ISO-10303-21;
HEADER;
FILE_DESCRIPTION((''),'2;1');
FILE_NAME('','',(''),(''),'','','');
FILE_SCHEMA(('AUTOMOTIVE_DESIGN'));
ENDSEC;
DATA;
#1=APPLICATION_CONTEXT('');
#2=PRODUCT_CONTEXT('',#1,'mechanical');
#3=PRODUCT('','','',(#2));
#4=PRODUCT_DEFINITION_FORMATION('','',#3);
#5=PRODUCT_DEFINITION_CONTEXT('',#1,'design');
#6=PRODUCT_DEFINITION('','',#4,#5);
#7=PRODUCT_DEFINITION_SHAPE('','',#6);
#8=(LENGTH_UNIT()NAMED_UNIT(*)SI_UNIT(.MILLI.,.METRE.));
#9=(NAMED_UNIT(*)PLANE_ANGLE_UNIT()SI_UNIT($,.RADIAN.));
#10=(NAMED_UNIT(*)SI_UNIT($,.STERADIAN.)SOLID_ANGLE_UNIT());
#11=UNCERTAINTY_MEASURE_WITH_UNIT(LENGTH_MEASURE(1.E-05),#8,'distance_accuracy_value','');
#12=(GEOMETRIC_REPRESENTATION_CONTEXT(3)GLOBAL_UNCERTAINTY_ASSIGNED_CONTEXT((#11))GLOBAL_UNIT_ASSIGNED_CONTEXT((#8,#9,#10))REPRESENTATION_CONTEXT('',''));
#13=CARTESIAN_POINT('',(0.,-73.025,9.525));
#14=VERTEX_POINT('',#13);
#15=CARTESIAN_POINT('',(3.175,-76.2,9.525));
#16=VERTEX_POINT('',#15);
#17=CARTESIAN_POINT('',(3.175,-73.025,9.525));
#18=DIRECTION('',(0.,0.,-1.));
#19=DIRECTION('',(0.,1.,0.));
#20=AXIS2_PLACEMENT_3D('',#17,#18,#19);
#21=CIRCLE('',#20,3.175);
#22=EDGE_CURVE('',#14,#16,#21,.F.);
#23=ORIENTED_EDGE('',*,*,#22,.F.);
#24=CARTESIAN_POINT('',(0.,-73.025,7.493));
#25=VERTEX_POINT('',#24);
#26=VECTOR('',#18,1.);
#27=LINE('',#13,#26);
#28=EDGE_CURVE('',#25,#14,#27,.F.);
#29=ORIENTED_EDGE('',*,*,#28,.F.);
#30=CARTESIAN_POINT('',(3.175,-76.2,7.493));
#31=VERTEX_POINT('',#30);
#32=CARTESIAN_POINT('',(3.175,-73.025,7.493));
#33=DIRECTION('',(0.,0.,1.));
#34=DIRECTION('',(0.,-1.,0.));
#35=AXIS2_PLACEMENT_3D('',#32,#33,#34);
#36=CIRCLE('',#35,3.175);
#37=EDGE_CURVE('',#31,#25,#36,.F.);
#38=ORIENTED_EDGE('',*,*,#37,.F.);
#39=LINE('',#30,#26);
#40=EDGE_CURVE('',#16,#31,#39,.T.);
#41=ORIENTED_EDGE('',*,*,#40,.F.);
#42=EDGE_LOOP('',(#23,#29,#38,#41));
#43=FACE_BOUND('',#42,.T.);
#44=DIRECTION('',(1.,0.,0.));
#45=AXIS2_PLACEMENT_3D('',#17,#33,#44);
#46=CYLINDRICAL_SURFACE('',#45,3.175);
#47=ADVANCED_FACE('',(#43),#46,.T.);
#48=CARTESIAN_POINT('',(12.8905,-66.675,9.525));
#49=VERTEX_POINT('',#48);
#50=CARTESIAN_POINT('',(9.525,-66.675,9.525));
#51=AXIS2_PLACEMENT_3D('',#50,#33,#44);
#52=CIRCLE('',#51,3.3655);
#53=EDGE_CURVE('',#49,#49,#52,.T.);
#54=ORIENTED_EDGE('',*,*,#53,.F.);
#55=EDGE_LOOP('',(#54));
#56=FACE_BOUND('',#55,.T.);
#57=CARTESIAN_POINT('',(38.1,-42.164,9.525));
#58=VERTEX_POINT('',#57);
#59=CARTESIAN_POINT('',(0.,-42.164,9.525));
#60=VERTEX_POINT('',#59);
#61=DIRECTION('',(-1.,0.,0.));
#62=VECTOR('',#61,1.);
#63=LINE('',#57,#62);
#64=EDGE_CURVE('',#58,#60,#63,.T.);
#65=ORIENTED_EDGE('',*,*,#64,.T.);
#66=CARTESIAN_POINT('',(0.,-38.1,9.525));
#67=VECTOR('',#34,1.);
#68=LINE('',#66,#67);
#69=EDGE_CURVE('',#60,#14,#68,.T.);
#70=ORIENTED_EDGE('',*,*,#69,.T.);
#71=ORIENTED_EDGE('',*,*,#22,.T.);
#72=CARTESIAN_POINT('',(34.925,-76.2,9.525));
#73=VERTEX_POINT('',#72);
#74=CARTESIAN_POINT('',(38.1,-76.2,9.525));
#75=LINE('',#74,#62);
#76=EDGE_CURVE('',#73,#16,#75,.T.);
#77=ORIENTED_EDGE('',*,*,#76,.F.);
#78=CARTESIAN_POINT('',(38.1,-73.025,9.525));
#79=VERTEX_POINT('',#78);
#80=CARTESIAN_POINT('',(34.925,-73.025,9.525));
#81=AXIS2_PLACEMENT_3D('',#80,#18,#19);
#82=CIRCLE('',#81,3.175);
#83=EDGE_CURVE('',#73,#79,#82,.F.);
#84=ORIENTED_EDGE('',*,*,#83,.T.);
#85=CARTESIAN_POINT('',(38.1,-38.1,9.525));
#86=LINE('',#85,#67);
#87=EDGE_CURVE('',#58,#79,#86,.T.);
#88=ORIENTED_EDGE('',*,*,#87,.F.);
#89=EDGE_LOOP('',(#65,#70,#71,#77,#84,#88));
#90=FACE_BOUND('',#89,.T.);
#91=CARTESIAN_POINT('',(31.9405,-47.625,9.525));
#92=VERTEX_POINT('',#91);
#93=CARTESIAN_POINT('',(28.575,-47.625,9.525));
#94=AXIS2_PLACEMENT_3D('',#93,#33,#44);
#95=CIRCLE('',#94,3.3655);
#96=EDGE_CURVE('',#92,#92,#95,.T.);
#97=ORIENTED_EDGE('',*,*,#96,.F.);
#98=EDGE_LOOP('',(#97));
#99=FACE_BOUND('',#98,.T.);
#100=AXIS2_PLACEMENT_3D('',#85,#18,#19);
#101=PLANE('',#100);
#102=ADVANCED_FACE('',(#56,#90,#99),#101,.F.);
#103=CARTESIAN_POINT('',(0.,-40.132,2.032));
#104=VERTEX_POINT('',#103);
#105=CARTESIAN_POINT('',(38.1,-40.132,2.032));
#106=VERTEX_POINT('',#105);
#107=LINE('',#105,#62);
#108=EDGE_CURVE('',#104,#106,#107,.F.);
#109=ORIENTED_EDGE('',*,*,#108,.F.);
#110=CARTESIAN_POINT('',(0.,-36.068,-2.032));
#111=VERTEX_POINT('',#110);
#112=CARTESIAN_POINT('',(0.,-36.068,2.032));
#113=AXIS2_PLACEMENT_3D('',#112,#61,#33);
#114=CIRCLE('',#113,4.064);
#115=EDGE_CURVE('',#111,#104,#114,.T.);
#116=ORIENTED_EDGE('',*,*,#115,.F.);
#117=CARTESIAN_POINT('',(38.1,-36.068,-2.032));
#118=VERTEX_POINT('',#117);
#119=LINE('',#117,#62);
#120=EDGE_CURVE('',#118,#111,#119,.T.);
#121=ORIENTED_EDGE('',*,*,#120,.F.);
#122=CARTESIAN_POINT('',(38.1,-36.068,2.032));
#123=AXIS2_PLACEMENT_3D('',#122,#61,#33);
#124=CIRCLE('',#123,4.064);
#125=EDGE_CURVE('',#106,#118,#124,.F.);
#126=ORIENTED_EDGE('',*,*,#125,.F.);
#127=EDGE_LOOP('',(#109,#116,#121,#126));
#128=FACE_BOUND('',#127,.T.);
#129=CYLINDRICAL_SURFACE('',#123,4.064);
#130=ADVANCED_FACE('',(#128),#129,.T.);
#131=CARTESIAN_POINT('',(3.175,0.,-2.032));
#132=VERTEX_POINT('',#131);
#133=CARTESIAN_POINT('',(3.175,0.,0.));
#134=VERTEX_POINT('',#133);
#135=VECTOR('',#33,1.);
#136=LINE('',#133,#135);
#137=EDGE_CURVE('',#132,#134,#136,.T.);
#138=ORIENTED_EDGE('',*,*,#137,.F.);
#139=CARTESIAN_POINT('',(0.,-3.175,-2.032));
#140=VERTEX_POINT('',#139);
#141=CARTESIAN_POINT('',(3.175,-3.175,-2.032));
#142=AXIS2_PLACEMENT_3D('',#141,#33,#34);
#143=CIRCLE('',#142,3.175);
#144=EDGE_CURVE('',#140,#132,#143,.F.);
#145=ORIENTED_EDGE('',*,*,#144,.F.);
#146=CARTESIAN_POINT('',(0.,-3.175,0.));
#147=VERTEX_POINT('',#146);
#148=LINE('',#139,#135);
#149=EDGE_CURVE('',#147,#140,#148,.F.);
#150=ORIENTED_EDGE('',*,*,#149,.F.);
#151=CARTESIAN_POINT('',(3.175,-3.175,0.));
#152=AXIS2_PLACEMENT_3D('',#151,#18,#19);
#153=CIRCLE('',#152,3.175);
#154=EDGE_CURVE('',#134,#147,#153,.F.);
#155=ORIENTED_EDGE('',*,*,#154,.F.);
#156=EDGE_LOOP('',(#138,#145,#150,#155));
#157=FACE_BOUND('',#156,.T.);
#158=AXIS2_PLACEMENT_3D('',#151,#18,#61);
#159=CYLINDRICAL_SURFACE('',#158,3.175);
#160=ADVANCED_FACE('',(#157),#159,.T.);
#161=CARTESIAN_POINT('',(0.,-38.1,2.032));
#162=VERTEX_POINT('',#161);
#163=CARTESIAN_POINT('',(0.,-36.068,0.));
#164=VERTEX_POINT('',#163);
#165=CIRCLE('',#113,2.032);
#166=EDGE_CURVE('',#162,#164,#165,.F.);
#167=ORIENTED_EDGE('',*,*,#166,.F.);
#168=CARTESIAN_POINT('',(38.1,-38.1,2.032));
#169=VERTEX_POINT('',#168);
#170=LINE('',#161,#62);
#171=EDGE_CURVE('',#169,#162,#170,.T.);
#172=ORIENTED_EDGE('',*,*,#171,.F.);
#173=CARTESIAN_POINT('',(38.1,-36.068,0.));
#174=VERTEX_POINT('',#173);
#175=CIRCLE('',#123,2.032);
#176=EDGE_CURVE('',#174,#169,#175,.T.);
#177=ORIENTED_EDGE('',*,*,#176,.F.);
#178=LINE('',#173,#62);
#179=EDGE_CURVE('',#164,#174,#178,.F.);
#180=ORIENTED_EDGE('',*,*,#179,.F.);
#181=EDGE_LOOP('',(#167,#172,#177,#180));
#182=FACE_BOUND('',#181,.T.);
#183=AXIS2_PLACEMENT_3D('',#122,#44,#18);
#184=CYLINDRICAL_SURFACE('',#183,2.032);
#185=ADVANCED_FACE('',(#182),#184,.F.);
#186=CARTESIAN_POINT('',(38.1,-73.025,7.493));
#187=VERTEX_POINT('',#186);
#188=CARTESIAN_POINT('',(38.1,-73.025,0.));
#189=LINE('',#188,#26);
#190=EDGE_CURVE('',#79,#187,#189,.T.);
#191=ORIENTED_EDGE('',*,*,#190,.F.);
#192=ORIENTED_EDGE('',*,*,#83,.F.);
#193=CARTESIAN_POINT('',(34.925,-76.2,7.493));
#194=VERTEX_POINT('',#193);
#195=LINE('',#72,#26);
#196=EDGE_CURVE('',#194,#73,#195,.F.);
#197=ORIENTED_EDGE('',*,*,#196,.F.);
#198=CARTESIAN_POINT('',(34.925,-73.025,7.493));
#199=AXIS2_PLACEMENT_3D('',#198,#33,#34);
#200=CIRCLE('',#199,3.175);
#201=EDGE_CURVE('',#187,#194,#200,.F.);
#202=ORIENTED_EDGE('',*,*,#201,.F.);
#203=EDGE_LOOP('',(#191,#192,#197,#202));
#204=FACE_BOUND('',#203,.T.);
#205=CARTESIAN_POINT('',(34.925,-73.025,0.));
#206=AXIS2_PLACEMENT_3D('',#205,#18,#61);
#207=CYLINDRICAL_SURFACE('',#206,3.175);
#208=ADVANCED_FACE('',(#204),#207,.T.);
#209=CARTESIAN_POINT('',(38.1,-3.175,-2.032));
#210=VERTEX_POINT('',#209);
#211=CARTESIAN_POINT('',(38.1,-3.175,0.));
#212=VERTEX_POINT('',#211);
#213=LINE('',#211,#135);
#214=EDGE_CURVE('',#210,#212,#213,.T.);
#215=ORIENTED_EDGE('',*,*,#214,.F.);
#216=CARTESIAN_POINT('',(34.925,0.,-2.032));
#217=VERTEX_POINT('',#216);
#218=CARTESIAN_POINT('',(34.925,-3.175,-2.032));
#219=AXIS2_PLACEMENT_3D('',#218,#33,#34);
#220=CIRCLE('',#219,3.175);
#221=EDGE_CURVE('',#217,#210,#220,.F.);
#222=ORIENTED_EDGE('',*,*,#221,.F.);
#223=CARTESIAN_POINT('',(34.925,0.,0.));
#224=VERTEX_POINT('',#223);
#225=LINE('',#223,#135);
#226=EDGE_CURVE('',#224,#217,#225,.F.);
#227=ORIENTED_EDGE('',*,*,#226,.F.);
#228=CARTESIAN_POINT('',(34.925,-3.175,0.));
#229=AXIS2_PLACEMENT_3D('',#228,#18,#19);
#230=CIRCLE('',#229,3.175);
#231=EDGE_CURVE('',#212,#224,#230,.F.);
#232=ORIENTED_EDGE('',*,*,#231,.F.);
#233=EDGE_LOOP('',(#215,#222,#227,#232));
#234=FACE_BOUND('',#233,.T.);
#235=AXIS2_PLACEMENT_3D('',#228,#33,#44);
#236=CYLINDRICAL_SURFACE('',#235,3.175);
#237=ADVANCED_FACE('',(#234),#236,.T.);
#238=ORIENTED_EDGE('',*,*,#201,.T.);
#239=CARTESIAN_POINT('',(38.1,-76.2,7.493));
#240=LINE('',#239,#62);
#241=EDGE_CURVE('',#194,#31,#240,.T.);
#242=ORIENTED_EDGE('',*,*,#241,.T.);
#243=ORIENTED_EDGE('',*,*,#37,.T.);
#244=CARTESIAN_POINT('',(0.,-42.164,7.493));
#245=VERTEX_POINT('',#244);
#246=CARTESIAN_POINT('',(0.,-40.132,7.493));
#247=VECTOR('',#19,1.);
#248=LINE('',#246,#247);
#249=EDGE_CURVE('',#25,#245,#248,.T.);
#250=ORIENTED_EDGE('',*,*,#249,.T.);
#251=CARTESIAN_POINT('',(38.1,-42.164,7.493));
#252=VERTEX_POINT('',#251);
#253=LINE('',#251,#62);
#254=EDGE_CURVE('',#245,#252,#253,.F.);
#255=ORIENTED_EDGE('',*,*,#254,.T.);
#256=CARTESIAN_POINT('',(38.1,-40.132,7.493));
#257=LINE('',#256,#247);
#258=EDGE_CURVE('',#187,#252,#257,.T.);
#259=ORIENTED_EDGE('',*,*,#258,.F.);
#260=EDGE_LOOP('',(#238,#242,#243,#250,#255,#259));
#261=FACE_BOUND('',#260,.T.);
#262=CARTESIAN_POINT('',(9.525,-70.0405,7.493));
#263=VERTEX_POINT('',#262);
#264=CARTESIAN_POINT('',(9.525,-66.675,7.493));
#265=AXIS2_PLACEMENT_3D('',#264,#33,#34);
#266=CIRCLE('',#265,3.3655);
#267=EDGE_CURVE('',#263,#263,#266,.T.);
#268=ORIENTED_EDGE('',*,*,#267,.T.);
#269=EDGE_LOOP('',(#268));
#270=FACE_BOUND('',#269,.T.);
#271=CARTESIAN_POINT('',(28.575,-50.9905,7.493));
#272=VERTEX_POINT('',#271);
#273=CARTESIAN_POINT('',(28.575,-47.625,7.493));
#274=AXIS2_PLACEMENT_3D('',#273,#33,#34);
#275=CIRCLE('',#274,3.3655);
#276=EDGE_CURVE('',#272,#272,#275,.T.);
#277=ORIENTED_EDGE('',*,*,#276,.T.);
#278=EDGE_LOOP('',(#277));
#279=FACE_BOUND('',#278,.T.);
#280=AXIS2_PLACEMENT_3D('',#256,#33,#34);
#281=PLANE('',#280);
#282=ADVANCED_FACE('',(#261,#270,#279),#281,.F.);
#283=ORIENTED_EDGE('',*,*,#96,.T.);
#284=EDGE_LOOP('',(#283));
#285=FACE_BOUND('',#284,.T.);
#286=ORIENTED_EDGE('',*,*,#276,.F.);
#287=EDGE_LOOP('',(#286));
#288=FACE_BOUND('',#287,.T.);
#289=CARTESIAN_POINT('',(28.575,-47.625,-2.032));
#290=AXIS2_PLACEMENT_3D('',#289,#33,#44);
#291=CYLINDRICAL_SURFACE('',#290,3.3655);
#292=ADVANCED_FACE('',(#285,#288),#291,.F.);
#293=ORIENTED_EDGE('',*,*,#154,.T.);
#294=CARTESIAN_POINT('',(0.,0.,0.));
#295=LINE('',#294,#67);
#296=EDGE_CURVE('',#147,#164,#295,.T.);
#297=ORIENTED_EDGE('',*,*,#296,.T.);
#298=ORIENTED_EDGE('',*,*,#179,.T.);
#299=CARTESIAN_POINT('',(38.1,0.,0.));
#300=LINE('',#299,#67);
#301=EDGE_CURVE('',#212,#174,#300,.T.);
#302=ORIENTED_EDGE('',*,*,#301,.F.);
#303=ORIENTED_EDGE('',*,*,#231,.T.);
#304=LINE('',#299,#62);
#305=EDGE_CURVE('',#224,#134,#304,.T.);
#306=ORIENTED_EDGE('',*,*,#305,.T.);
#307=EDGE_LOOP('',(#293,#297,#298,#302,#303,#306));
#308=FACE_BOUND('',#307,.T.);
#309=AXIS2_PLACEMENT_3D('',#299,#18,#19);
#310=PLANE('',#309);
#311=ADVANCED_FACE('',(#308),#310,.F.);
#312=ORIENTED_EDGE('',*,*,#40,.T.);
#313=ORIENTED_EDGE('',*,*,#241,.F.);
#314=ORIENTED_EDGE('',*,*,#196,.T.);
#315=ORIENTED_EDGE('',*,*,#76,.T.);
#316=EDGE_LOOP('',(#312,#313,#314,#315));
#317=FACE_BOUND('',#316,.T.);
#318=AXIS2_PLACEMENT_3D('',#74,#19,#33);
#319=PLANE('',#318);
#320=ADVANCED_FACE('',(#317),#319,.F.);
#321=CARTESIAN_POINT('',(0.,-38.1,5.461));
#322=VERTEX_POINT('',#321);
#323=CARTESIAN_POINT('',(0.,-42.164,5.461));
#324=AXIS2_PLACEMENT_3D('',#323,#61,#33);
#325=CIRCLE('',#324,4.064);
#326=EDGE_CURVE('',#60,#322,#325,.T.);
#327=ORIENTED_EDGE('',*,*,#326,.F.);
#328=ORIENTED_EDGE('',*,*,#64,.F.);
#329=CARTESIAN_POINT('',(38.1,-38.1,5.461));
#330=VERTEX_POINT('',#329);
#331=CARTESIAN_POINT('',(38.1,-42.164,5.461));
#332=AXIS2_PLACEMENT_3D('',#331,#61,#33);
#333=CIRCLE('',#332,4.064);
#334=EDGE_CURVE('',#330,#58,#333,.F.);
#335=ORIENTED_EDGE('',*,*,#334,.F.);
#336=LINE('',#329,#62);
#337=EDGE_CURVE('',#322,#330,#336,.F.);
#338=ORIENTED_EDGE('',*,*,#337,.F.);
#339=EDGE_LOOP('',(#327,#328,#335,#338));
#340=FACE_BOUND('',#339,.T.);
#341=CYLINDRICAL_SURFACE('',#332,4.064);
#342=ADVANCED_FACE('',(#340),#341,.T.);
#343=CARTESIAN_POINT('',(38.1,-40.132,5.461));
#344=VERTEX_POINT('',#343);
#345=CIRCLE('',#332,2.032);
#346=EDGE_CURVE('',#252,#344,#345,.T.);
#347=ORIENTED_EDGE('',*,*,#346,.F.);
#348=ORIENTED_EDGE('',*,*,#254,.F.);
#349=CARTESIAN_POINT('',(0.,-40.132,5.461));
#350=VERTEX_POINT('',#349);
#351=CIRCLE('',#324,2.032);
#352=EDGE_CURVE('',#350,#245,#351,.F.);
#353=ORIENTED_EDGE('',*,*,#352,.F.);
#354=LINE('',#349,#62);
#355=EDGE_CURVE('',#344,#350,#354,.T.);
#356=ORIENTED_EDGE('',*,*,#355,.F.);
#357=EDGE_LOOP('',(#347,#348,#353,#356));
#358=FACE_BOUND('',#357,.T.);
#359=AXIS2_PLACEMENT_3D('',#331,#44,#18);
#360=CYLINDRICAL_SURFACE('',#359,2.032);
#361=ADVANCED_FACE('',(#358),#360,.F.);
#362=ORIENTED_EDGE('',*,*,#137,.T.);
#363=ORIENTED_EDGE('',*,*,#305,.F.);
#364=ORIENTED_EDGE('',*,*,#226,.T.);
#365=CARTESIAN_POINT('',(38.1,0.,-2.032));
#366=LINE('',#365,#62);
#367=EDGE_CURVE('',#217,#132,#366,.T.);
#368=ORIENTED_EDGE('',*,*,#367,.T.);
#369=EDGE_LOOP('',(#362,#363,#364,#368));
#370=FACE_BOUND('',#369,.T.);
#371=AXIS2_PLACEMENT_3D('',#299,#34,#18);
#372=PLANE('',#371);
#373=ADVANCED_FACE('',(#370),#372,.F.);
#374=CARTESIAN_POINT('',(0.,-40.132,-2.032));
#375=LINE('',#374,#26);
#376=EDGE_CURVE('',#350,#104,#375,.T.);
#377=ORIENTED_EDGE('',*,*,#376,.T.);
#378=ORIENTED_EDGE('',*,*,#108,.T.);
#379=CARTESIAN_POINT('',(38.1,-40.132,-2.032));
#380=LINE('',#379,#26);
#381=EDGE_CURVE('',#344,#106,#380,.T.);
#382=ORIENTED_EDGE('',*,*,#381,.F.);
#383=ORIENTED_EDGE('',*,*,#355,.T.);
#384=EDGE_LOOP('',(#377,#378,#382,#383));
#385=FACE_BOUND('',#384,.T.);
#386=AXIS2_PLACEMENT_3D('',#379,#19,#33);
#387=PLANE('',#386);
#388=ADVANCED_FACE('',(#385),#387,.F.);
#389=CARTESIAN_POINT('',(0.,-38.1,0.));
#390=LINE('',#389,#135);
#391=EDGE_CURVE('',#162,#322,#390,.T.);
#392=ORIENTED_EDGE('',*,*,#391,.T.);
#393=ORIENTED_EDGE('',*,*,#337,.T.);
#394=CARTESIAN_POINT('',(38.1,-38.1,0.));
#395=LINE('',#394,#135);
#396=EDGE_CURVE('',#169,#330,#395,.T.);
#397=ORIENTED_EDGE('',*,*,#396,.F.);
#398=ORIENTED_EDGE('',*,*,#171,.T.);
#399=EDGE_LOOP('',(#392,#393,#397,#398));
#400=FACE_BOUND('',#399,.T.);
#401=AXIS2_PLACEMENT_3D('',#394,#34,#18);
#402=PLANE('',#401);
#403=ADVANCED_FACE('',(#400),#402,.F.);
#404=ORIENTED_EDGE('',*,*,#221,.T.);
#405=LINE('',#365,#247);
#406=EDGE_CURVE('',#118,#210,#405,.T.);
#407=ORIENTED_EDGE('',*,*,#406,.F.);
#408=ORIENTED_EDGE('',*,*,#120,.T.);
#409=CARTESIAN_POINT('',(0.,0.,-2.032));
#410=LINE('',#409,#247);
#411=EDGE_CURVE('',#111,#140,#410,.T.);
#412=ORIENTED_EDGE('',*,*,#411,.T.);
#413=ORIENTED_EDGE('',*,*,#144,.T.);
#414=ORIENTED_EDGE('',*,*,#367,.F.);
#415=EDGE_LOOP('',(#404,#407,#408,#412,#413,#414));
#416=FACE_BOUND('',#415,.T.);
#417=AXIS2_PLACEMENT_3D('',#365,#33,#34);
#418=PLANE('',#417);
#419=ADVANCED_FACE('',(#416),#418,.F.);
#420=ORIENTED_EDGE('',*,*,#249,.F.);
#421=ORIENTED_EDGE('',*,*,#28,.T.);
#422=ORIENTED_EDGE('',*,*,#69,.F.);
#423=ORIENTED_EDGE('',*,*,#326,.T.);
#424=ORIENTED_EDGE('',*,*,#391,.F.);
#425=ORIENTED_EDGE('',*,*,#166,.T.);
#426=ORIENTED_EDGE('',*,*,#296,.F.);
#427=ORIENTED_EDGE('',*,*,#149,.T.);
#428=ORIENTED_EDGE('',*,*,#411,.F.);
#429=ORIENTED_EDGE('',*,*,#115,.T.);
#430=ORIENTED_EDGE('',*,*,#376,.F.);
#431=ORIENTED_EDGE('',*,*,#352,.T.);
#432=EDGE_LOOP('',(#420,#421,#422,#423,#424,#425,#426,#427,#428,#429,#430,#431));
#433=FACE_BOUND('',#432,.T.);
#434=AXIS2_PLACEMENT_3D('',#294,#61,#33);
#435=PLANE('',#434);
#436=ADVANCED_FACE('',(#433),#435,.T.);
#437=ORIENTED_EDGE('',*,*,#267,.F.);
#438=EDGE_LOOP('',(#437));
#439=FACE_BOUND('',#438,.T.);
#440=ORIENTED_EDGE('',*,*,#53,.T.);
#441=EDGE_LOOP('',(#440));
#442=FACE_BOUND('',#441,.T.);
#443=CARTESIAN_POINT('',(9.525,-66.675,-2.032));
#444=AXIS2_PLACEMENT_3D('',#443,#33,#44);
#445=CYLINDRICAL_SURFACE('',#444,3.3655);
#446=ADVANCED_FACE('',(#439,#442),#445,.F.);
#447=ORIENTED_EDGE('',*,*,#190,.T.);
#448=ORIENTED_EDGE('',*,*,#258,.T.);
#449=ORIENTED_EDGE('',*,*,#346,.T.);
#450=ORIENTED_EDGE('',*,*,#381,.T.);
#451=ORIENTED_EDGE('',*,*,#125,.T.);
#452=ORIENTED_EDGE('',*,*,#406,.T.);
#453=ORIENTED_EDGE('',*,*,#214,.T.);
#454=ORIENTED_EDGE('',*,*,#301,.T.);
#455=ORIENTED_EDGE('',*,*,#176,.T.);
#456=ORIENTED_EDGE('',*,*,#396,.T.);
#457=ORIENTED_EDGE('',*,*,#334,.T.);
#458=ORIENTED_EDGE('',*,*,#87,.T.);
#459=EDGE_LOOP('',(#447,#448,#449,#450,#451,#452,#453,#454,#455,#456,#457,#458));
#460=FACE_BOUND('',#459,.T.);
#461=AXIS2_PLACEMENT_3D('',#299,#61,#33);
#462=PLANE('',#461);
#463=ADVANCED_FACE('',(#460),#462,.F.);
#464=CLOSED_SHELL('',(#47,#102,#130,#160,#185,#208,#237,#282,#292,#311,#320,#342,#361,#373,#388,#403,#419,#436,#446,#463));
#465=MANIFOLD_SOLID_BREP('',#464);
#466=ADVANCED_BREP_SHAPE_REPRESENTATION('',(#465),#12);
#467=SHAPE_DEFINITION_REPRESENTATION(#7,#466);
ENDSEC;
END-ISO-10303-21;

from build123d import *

# Parameters (mm, degrees)
BOSS_EXTRUDE1_DEPTH = 38.1
FILLET1_R           = 2.032
FILLET2_R           = 4.064
FILLET3_R           = 3.175
SKETCH2_R           = 3.3655
CUT_EXTRUDE1_DEPTH  = 12.557


with BuildPart() as part:
    # Sketch1 → Boss-Extrude1 (new body)
    with BuildSketch(Plane(origin=(0, 0, 0), x_dir=(0, 0, -1), z_dir=(1, 0, 0))):
        Polygon((0, 0), (0, -38.1), (-9.525, -38.1), (-9.525, -76.2), (-7.493, -76.2), (-7.493, -40.132), (2.032, -40.132), (2.032, 0), align=None)
    extrude(amount=BOSS_EXTRUDE1_DEPTH)

    # Fillet1
    fillet1_edges = [part.edges().sort_by_distance(p)[0] for p in [
        (19.05, -40.132, 7.493),
        (19.05, -38.1, 0),
    ]]
    fillet(fillet1_edges, radius=FILLET1_R)

    # Fillet2
    fillet2_edges = [part.edges().sort_by_distance(p)[0] for p in [
        (19.05, -40.132, -2.032),
        (19.05, -38.1, 9.525),
    ]]
    fillet(fillet2_edges, radius=FILLET2_R)

    # Fillet3
    fillet3_edges = [part.edges().sort_by_distance(p)[0] for p in [
        (0, 0, -1.016),
        (38.1, -76.2, 8.509),
        (38.1, 0, -1.016),
        (0, -76.2, 8.509),
    ]]
    fillet(fillet3_edges, radius=FILLET3_R)

    # Sketch2 → Cut-Extrude1 (cut, through all)
    with BuildSketch(Plane.XY.offset(9.525)):
        with Locations((9.525, -66.675)):
            Circle(SKETCH2_R)
        with Locations((28.575, -47.625)):
            Circle(SKETCH2_R)
    extrude(amount=-CUT_EXTRUDE1_DEPTH, mode=Mode.SUBTRACT)


solid = part.part
